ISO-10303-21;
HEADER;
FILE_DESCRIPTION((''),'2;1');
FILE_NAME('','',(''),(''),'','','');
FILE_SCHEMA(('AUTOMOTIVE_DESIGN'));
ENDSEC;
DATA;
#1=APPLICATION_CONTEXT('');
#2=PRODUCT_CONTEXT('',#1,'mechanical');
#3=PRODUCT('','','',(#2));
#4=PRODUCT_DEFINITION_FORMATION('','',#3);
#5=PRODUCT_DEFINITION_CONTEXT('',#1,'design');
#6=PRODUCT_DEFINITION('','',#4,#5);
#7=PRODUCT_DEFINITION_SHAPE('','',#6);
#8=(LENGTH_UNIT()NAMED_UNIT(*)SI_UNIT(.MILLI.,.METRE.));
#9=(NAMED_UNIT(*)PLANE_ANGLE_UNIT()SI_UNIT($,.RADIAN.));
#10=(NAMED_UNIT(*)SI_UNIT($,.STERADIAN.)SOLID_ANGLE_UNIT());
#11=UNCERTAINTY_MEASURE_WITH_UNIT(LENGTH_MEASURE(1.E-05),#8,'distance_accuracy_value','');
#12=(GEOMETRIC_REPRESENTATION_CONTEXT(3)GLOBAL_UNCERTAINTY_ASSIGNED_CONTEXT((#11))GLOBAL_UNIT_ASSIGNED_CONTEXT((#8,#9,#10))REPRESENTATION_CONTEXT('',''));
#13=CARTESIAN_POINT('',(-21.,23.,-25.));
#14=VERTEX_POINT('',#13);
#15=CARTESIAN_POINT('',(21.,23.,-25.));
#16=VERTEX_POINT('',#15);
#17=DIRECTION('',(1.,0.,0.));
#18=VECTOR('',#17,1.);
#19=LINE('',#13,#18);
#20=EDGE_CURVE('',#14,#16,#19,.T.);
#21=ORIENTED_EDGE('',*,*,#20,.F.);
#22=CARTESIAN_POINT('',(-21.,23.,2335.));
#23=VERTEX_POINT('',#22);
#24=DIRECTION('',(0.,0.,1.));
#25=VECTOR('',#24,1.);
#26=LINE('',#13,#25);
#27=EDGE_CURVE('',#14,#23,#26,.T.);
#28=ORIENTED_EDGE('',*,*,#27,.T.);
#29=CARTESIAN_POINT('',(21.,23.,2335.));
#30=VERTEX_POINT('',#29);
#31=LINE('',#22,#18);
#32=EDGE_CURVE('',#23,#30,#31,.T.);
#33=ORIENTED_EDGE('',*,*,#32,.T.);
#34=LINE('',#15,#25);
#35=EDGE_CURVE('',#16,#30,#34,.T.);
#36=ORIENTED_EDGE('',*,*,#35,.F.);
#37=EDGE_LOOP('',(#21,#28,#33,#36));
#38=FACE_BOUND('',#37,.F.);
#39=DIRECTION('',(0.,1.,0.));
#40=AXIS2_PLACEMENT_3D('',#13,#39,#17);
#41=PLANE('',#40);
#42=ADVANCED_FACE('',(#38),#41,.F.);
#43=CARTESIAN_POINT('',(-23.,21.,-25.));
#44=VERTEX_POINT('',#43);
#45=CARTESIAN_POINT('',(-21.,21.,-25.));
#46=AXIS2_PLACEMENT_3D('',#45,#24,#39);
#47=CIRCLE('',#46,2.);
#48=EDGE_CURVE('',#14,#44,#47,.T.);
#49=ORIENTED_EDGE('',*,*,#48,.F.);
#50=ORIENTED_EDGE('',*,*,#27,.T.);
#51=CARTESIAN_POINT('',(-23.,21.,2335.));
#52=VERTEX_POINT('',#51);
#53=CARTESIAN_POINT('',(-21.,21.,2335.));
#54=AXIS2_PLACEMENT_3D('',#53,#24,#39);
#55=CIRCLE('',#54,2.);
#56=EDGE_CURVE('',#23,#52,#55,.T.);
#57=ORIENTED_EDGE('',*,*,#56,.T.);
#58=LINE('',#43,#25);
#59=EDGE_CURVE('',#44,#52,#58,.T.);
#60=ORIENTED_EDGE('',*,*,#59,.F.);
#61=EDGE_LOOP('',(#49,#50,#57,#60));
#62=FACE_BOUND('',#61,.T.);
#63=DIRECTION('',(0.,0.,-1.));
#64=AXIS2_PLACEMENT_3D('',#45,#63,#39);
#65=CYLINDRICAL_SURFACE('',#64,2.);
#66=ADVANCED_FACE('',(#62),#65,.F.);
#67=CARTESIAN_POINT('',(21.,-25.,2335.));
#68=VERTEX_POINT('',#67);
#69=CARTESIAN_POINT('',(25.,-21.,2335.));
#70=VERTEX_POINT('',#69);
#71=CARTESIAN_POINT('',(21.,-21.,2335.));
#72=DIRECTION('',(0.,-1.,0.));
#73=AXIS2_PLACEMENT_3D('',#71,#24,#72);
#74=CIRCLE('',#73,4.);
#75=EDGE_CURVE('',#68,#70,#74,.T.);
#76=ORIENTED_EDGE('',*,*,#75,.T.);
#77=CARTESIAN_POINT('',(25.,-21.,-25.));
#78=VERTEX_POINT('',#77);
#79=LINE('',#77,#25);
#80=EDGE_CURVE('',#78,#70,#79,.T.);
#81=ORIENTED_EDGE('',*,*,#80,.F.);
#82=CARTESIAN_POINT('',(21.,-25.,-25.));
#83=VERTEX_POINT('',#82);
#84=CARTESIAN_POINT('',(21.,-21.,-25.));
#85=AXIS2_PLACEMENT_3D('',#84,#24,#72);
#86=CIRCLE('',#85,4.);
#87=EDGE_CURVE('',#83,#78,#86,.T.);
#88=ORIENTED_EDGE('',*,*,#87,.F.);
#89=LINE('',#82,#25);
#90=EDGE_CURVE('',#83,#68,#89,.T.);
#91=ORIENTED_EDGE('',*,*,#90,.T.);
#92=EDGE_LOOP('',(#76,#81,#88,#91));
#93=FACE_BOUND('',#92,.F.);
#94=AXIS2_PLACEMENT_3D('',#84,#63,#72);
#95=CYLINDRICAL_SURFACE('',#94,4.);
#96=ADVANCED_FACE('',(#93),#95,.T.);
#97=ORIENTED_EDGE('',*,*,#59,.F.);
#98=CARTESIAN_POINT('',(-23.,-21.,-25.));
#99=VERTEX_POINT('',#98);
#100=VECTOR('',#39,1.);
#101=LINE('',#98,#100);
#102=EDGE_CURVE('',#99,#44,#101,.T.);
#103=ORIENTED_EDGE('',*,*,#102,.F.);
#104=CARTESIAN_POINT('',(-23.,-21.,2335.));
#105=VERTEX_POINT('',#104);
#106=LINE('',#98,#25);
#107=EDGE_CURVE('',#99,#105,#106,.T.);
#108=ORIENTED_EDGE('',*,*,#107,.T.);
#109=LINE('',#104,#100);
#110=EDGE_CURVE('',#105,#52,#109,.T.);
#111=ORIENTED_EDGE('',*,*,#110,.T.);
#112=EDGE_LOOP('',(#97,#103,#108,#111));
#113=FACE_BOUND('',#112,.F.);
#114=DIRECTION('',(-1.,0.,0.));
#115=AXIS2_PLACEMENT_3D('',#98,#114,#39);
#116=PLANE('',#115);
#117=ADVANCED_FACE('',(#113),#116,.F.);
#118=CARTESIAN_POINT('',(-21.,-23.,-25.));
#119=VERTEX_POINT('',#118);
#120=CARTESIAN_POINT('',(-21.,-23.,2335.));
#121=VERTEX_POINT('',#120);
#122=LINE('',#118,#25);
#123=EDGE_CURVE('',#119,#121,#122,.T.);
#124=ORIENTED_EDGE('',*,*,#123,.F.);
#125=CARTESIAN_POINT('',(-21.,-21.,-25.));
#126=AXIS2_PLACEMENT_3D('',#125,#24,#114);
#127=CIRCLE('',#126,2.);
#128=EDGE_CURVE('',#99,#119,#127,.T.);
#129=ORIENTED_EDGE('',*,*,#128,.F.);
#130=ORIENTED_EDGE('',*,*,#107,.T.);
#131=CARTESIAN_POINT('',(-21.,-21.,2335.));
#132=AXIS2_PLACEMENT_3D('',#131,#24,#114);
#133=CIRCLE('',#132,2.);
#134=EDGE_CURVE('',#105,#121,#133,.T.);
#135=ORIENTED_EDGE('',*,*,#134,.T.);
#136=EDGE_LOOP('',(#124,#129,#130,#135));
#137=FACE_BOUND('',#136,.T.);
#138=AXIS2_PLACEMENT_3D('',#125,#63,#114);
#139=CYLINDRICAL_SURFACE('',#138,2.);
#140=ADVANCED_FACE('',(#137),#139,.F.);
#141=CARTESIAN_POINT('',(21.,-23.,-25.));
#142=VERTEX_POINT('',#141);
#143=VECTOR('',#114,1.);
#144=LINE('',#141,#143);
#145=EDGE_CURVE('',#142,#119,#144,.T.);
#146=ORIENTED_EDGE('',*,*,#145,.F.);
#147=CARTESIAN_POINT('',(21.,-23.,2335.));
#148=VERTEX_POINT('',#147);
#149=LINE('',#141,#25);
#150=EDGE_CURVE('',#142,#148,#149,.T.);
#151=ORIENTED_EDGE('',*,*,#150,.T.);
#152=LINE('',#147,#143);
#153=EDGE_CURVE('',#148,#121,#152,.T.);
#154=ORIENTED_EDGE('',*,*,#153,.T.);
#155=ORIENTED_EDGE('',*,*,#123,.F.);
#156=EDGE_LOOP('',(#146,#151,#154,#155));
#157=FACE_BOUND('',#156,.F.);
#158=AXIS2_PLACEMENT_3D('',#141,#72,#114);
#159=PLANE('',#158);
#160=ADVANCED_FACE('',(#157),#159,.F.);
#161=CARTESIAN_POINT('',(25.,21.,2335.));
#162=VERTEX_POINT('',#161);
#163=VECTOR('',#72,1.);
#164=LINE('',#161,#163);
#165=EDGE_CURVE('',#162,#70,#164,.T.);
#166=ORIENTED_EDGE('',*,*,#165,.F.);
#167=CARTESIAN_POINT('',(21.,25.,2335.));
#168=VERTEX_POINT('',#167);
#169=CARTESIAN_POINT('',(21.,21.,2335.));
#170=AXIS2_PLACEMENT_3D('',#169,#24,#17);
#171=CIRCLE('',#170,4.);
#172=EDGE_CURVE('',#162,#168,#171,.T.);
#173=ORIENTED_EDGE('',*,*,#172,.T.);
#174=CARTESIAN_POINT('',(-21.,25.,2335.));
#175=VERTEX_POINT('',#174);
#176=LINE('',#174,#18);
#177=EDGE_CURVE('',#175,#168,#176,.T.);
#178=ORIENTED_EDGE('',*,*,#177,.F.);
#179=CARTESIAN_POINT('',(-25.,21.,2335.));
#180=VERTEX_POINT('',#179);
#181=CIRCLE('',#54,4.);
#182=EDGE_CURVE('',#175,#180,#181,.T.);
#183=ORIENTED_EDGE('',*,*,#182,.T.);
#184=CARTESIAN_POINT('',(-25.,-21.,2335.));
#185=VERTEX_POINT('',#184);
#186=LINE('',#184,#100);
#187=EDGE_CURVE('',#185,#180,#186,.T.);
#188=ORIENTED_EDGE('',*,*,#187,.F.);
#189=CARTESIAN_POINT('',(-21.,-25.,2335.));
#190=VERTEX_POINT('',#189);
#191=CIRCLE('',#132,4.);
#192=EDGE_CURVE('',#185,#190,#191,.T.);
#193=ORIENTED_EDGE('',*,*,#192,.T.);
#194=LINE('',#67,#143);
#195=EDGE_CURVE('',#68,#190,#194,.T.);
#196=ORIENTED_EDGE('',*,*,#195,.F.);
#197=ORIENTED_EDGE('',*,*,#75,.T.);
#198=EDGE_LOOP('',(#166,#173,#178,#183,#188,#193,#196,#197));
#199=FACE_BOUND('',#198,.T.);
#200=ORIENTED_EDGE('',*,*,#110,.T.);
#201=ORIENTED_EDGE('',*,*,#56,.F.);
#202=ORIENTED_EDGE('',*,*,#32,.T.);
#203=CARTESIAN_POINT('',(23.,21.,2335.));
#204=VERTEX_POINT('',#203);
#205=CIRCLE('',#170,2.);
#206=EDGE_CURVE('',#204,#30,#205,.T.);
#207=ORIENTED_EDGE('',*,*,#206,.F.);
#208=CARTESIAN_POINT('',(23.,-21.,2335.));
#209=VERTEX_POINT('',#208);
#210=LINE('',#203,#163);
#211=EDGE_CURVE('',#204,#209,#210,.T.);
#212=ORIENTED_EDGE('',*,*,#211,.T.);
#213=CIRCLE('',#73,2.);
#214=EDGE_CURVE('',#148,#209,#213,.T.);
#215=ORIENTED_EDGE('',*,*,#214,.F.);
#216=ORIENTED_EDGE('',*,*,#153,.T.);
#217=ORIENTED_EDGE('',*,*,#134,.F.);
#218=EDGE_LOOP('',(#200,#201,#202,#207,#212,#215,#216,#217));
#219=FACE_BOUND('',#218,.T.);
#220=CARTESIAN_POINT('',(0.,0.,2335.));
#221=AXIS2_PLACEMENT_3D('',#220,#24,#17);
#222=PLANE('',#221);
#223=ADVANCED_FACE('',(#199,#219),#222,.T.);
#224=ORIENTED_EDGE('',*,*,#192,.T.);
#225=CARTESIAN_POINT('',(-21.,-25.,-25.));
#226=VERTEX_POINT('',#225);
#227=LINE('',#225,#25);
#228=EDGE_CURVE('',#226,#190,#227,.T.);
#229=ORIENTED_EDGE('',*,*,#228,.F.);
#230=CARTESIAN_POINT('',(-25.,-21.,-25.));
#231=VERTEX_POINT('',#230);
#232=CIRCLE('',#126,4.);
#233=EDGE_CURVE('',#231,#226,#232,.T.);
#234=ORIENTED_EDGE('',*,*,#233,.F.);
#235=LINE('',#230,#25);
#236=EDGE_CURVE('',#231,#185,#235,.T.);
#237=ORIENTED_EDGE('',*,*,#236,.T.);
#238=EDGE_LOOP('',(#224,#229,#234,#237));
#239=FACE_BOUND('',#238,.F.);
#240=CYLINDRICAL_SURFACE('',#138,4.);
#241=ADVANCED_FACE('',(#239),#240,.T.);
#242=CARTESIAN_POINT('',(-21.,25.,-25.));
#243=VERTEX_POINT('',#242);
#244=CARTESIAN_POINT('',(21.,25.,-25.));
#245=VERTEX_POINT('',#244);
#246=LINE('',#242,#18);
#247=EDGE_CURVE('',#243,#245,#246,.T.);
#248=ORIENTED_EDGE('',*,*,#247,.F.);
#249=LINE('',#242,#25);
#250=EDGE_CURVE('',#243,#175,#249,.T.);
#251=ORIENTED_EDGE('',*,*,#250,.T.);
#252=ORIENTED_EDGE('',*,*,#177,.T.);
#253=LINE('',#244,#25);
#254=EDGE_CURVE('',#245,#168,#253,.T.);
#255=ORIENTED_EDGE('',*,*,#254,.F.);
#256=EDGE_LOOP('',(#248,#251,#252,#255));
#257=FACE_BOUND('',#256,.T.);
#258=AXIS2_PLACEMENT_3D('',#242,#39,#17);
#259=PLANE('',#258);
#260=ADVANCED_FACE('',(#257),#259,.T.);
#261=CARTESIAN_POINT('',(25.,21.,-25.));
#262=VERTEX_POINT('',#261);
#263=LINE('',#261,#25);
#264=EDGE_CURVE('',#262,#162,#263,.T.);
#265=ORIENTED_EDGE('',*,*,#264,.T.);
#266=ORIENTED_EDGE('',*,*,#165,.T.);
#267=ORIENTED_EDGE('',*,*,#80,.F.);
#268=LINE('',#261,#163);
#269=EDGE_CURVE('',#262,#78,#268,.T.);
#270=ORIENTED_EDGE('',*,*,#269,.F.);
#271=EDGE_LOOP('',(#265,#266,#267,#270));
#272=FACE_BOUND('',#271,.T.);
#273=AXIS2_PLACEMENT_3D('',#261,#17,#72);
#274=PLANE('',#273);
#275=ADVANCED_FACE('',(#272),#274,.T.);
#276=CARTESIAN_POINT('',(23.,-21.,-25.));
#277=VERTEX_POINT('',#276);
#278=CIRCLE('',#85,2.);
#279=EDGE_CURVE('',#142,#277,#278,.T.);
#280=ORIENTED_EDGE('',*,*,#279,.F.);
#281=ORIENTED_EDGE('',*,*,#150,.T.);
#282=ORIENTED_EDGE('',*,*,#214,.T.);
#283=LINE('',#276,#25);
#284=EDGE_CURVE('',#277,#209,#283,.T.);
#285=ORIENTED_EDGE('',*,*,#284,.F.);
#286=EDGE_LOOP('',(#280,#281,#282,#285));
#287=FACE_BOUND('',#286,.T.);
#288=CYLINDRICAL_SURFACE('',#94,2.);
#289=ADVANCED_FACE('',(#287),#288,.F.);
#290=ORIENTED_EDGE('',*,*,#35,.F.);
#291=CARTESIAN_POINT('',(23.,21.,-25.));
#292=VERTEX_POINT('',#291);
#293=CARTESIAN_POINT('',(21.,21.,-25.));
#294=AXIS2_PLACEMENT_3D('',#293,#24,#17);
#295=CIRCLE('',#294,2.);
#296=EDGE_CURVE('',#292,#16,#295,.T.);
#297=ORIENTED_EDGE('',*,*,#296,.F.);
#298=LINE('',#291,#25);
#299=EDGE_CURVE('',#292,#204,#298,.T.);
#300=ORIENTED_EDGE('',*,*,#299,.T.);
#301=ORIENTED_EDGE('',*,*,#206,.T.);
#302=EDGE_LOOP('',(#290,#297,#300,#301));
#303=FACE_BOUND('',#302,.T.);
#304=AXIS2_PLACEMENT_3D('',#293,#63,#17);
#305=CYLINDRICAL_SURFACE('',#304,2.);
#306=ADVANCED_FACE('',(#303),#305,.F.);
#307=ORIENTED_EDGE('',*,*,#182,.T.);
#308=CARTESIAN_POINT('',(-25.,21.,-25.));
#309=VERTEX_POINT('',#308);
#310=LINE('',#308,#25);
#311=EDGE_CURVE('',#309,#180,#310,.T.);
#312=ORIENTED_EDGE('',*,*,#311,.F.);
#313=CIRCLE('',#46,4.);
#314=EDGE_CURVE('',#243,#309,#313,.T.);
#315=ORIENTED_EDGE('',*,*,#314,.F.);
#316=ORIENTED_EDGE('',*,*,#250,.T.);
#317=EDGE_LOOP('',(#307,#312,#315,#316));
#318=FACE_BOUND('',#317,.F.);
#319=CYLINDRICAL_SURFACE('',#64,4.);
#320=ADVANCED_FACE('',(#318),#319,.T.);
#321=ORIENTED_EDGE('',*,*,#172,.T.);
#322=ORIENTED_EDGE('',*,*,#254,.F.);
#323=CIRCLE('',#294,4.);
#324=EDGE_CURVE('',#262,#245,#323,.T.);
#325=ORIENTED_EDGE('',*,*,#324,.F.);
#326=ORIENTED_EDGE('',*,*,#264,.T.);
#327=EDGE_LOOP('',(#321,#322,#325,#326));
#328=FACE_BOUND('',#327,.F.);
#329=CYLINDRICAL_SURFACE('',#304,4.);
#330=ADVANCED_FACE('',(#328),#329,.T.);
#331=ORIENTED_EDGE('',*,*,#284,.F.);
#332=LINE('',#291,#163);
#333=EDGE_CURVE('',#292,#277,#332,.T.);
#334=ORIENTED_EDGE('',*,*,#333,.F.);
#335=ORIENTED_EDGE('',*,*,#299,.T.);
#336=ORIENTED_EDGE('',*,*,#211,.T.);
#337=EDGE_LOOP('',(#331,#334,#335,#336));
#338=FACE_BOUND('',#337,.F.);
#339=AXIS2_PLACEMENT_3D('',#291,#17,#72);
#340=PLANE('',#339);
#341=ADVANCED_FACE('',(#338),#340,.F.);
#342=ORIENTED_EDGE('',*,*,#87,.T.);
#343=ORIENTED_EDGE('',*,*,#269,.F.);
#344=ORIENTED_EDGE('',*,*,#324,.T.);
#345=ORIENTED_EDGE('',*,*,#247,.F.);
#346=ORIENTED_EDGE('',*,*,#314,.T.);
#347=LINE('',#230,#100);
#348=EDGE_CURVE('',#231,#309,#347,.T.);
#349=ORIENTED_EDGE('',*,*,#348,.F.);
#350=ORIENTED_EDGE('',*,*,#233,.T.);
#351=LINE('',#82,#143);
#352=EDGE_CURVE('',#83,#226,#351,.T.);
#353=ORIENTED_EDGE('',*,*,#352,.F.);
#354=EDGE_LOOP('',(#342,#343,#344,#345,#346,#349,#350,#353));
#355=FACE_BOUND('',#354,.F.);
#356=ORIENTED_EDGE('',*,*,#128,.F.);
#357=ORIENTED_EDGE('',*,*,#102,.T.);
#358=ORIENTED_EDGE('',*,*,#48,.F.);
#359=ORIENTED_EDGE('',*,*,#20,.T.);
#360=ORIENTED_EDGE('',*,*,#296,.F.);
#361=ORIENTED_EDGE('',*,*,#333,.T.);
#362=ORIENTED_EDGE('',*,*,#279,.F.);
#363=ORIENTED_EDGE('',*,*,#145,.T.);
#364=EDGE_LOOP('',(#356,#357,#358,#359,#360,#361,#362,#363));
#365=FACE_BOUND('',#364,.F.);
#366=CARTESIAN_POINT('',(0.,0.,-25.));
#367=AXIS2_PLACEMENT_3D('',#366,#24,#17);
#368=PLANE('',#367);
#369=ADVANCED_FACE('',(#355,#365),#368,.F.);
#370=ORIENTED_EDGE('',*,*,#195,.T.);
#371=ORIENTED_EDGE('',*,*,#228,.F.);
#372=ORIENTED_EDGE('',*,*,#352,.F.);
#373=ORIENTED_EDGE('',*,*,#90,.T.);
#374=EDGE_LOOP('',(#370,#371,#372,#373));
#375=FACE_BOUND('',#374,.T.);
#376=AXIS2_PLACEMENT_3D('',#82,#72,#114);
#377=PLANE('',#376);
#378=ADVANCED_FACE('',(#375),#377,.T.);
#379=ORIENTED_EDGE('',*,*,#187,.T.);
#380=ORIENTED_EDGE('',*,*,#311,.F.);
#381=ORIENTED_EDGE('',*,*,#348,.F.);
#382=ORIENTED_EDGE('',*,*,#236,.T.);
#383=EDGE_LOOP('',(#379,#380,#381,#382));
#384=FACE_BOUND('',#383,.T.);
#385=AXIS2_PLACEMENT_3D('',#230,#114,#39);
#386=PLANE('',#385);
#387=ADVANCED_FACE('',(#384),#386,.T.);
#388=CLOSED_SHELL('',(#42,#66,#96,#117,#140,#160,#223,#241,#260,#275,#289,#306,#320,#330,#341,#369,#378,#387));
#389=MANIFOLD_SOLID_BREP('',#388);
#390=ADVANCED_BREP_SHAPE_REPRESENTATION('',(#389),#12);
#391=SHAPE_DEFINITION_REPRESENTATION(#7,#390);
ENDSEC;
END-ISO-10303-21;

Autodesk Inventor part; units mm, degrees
ref_plane "Start plane" through (0, 0, -25) normal (0, 0, 1) x (1, 0, 0)
ref_plane "End plane" through (0, 0, 2335) normal (0, 0, 1) x (1, 0, 0)
sketch "Sketch" plane through (0, 0, 0) normal (0, 0, 1) x (1, 0, 0)
  line L0 (-25, -21) -> (-25, 21)
  line L1 (-21, 25) -> (21, 25)
  line L2 (25, 21) -> (25, -21)
  line L3 (21, -25) -> (-21, -25)
  arc A0 (-25, -21) -> (-21, -25) centre (-21, -21) ccw
  arc A1 (25, 21) -> (21, 25) centre (21, 21) ccw
  arc A2 (-21, 25) -> (-25, 21) centre (-21, 21) ccw
  arc A3 (21, -25) -> (25, -21) centre (21, -21) ccw
  arc A4 (-21, 23) -> (-23, 21) centre (-21, 21) ccw
  line L4 (-21, 23) -> (21, 23)
  arc A5 (23, 21) -> (21, 23) centre (21, 21) ccw
  line L5 (23, 21) -> (23, -21)
  arc A6 (21, -23) -> (23, -21) centre (21, -21) ccw
  line L6 (21, -23) -> (-21, -23)
  arc A7 (-23, -21) -> (-21, -23) centre (-21, -21) ccw
  line L7 (-23, -21) -> (-23, 21)
  line L8 (0, 36.4497) -> (0, -36.4497) construction
  line L9 (-36.4497, 0) -> (36.4497, 0) construction
  dimension "d7" = 4
  dimension "d9" = 50
  dimension "d11" = 50
  dimension "d12" = 2
  dimension "d15" = 25
  dimension "d16" = 25
extrude "Body" add sketch "Sketch" along normal up to surface (2360 mm away) from surface at -25
sketch "Sketch3" plane through (0, 0, 0) normal (0, 0, 1) x (1, 0, 0)
  line L0 (0, 0) -> (10, 0)
ref_plane "Work Plane3" through (0, 0, 0) normal (0, -1, 0) x (1, 0, 0)
sketch "Sketch4" plane through (0, 0, 0) normal (0, -1, 0) x (1, 0, 0)
  line L0 (-2, -25) -> (12, -25)
  line L1 (-2, 2335) -> (12, 2335)
  dimension "d18" = 2360
ref_plane "Work Plane4" through (-1000, 21, -25) normal (0, 0, -1) x (-1, 0, 0)
split "Split1" plane through (-1000, 21, -25) removes the side toward (0, 0, -1)
ref_plane "Work Plane5" through (-1000, -21, 2335) normal (0, 0, 1) x (1, 0, 0)
split "Split2" plane through (-1000, -21, 2335) removes the side toward (0, 0, 1)
equation "\"d7\" = G_IR"
equation "\"d9\" = G_W"
equation "\"d11\" = G_H"
equation "\"d12\" = G_T"
equation "\"d15\" = 0.5 * d9"
equation "\"d16\" = 0.5 * d11"
equation "\"d3\" = G_L"
equation "\"G_W\" = 50"
equation "\"G_H\" = 50"
equation "\"G_T\" = 2"
equation "\"G_IR\" = 4"
equation "\"G_L\" = d18"
equation "\"G_OFFSET_START\" = 25"
equation "\"G_OFFSET_END\" = 25"
equation "\"d13\" = -G_OFFSET_START"
equation "\"d14\" = G_OFFSET_END + B_L"
equation "\"B_L\" = 2310"
properties part number "ISO 10799-2 - 50x50x2 - 2360" material "Steel, Galvanized"
